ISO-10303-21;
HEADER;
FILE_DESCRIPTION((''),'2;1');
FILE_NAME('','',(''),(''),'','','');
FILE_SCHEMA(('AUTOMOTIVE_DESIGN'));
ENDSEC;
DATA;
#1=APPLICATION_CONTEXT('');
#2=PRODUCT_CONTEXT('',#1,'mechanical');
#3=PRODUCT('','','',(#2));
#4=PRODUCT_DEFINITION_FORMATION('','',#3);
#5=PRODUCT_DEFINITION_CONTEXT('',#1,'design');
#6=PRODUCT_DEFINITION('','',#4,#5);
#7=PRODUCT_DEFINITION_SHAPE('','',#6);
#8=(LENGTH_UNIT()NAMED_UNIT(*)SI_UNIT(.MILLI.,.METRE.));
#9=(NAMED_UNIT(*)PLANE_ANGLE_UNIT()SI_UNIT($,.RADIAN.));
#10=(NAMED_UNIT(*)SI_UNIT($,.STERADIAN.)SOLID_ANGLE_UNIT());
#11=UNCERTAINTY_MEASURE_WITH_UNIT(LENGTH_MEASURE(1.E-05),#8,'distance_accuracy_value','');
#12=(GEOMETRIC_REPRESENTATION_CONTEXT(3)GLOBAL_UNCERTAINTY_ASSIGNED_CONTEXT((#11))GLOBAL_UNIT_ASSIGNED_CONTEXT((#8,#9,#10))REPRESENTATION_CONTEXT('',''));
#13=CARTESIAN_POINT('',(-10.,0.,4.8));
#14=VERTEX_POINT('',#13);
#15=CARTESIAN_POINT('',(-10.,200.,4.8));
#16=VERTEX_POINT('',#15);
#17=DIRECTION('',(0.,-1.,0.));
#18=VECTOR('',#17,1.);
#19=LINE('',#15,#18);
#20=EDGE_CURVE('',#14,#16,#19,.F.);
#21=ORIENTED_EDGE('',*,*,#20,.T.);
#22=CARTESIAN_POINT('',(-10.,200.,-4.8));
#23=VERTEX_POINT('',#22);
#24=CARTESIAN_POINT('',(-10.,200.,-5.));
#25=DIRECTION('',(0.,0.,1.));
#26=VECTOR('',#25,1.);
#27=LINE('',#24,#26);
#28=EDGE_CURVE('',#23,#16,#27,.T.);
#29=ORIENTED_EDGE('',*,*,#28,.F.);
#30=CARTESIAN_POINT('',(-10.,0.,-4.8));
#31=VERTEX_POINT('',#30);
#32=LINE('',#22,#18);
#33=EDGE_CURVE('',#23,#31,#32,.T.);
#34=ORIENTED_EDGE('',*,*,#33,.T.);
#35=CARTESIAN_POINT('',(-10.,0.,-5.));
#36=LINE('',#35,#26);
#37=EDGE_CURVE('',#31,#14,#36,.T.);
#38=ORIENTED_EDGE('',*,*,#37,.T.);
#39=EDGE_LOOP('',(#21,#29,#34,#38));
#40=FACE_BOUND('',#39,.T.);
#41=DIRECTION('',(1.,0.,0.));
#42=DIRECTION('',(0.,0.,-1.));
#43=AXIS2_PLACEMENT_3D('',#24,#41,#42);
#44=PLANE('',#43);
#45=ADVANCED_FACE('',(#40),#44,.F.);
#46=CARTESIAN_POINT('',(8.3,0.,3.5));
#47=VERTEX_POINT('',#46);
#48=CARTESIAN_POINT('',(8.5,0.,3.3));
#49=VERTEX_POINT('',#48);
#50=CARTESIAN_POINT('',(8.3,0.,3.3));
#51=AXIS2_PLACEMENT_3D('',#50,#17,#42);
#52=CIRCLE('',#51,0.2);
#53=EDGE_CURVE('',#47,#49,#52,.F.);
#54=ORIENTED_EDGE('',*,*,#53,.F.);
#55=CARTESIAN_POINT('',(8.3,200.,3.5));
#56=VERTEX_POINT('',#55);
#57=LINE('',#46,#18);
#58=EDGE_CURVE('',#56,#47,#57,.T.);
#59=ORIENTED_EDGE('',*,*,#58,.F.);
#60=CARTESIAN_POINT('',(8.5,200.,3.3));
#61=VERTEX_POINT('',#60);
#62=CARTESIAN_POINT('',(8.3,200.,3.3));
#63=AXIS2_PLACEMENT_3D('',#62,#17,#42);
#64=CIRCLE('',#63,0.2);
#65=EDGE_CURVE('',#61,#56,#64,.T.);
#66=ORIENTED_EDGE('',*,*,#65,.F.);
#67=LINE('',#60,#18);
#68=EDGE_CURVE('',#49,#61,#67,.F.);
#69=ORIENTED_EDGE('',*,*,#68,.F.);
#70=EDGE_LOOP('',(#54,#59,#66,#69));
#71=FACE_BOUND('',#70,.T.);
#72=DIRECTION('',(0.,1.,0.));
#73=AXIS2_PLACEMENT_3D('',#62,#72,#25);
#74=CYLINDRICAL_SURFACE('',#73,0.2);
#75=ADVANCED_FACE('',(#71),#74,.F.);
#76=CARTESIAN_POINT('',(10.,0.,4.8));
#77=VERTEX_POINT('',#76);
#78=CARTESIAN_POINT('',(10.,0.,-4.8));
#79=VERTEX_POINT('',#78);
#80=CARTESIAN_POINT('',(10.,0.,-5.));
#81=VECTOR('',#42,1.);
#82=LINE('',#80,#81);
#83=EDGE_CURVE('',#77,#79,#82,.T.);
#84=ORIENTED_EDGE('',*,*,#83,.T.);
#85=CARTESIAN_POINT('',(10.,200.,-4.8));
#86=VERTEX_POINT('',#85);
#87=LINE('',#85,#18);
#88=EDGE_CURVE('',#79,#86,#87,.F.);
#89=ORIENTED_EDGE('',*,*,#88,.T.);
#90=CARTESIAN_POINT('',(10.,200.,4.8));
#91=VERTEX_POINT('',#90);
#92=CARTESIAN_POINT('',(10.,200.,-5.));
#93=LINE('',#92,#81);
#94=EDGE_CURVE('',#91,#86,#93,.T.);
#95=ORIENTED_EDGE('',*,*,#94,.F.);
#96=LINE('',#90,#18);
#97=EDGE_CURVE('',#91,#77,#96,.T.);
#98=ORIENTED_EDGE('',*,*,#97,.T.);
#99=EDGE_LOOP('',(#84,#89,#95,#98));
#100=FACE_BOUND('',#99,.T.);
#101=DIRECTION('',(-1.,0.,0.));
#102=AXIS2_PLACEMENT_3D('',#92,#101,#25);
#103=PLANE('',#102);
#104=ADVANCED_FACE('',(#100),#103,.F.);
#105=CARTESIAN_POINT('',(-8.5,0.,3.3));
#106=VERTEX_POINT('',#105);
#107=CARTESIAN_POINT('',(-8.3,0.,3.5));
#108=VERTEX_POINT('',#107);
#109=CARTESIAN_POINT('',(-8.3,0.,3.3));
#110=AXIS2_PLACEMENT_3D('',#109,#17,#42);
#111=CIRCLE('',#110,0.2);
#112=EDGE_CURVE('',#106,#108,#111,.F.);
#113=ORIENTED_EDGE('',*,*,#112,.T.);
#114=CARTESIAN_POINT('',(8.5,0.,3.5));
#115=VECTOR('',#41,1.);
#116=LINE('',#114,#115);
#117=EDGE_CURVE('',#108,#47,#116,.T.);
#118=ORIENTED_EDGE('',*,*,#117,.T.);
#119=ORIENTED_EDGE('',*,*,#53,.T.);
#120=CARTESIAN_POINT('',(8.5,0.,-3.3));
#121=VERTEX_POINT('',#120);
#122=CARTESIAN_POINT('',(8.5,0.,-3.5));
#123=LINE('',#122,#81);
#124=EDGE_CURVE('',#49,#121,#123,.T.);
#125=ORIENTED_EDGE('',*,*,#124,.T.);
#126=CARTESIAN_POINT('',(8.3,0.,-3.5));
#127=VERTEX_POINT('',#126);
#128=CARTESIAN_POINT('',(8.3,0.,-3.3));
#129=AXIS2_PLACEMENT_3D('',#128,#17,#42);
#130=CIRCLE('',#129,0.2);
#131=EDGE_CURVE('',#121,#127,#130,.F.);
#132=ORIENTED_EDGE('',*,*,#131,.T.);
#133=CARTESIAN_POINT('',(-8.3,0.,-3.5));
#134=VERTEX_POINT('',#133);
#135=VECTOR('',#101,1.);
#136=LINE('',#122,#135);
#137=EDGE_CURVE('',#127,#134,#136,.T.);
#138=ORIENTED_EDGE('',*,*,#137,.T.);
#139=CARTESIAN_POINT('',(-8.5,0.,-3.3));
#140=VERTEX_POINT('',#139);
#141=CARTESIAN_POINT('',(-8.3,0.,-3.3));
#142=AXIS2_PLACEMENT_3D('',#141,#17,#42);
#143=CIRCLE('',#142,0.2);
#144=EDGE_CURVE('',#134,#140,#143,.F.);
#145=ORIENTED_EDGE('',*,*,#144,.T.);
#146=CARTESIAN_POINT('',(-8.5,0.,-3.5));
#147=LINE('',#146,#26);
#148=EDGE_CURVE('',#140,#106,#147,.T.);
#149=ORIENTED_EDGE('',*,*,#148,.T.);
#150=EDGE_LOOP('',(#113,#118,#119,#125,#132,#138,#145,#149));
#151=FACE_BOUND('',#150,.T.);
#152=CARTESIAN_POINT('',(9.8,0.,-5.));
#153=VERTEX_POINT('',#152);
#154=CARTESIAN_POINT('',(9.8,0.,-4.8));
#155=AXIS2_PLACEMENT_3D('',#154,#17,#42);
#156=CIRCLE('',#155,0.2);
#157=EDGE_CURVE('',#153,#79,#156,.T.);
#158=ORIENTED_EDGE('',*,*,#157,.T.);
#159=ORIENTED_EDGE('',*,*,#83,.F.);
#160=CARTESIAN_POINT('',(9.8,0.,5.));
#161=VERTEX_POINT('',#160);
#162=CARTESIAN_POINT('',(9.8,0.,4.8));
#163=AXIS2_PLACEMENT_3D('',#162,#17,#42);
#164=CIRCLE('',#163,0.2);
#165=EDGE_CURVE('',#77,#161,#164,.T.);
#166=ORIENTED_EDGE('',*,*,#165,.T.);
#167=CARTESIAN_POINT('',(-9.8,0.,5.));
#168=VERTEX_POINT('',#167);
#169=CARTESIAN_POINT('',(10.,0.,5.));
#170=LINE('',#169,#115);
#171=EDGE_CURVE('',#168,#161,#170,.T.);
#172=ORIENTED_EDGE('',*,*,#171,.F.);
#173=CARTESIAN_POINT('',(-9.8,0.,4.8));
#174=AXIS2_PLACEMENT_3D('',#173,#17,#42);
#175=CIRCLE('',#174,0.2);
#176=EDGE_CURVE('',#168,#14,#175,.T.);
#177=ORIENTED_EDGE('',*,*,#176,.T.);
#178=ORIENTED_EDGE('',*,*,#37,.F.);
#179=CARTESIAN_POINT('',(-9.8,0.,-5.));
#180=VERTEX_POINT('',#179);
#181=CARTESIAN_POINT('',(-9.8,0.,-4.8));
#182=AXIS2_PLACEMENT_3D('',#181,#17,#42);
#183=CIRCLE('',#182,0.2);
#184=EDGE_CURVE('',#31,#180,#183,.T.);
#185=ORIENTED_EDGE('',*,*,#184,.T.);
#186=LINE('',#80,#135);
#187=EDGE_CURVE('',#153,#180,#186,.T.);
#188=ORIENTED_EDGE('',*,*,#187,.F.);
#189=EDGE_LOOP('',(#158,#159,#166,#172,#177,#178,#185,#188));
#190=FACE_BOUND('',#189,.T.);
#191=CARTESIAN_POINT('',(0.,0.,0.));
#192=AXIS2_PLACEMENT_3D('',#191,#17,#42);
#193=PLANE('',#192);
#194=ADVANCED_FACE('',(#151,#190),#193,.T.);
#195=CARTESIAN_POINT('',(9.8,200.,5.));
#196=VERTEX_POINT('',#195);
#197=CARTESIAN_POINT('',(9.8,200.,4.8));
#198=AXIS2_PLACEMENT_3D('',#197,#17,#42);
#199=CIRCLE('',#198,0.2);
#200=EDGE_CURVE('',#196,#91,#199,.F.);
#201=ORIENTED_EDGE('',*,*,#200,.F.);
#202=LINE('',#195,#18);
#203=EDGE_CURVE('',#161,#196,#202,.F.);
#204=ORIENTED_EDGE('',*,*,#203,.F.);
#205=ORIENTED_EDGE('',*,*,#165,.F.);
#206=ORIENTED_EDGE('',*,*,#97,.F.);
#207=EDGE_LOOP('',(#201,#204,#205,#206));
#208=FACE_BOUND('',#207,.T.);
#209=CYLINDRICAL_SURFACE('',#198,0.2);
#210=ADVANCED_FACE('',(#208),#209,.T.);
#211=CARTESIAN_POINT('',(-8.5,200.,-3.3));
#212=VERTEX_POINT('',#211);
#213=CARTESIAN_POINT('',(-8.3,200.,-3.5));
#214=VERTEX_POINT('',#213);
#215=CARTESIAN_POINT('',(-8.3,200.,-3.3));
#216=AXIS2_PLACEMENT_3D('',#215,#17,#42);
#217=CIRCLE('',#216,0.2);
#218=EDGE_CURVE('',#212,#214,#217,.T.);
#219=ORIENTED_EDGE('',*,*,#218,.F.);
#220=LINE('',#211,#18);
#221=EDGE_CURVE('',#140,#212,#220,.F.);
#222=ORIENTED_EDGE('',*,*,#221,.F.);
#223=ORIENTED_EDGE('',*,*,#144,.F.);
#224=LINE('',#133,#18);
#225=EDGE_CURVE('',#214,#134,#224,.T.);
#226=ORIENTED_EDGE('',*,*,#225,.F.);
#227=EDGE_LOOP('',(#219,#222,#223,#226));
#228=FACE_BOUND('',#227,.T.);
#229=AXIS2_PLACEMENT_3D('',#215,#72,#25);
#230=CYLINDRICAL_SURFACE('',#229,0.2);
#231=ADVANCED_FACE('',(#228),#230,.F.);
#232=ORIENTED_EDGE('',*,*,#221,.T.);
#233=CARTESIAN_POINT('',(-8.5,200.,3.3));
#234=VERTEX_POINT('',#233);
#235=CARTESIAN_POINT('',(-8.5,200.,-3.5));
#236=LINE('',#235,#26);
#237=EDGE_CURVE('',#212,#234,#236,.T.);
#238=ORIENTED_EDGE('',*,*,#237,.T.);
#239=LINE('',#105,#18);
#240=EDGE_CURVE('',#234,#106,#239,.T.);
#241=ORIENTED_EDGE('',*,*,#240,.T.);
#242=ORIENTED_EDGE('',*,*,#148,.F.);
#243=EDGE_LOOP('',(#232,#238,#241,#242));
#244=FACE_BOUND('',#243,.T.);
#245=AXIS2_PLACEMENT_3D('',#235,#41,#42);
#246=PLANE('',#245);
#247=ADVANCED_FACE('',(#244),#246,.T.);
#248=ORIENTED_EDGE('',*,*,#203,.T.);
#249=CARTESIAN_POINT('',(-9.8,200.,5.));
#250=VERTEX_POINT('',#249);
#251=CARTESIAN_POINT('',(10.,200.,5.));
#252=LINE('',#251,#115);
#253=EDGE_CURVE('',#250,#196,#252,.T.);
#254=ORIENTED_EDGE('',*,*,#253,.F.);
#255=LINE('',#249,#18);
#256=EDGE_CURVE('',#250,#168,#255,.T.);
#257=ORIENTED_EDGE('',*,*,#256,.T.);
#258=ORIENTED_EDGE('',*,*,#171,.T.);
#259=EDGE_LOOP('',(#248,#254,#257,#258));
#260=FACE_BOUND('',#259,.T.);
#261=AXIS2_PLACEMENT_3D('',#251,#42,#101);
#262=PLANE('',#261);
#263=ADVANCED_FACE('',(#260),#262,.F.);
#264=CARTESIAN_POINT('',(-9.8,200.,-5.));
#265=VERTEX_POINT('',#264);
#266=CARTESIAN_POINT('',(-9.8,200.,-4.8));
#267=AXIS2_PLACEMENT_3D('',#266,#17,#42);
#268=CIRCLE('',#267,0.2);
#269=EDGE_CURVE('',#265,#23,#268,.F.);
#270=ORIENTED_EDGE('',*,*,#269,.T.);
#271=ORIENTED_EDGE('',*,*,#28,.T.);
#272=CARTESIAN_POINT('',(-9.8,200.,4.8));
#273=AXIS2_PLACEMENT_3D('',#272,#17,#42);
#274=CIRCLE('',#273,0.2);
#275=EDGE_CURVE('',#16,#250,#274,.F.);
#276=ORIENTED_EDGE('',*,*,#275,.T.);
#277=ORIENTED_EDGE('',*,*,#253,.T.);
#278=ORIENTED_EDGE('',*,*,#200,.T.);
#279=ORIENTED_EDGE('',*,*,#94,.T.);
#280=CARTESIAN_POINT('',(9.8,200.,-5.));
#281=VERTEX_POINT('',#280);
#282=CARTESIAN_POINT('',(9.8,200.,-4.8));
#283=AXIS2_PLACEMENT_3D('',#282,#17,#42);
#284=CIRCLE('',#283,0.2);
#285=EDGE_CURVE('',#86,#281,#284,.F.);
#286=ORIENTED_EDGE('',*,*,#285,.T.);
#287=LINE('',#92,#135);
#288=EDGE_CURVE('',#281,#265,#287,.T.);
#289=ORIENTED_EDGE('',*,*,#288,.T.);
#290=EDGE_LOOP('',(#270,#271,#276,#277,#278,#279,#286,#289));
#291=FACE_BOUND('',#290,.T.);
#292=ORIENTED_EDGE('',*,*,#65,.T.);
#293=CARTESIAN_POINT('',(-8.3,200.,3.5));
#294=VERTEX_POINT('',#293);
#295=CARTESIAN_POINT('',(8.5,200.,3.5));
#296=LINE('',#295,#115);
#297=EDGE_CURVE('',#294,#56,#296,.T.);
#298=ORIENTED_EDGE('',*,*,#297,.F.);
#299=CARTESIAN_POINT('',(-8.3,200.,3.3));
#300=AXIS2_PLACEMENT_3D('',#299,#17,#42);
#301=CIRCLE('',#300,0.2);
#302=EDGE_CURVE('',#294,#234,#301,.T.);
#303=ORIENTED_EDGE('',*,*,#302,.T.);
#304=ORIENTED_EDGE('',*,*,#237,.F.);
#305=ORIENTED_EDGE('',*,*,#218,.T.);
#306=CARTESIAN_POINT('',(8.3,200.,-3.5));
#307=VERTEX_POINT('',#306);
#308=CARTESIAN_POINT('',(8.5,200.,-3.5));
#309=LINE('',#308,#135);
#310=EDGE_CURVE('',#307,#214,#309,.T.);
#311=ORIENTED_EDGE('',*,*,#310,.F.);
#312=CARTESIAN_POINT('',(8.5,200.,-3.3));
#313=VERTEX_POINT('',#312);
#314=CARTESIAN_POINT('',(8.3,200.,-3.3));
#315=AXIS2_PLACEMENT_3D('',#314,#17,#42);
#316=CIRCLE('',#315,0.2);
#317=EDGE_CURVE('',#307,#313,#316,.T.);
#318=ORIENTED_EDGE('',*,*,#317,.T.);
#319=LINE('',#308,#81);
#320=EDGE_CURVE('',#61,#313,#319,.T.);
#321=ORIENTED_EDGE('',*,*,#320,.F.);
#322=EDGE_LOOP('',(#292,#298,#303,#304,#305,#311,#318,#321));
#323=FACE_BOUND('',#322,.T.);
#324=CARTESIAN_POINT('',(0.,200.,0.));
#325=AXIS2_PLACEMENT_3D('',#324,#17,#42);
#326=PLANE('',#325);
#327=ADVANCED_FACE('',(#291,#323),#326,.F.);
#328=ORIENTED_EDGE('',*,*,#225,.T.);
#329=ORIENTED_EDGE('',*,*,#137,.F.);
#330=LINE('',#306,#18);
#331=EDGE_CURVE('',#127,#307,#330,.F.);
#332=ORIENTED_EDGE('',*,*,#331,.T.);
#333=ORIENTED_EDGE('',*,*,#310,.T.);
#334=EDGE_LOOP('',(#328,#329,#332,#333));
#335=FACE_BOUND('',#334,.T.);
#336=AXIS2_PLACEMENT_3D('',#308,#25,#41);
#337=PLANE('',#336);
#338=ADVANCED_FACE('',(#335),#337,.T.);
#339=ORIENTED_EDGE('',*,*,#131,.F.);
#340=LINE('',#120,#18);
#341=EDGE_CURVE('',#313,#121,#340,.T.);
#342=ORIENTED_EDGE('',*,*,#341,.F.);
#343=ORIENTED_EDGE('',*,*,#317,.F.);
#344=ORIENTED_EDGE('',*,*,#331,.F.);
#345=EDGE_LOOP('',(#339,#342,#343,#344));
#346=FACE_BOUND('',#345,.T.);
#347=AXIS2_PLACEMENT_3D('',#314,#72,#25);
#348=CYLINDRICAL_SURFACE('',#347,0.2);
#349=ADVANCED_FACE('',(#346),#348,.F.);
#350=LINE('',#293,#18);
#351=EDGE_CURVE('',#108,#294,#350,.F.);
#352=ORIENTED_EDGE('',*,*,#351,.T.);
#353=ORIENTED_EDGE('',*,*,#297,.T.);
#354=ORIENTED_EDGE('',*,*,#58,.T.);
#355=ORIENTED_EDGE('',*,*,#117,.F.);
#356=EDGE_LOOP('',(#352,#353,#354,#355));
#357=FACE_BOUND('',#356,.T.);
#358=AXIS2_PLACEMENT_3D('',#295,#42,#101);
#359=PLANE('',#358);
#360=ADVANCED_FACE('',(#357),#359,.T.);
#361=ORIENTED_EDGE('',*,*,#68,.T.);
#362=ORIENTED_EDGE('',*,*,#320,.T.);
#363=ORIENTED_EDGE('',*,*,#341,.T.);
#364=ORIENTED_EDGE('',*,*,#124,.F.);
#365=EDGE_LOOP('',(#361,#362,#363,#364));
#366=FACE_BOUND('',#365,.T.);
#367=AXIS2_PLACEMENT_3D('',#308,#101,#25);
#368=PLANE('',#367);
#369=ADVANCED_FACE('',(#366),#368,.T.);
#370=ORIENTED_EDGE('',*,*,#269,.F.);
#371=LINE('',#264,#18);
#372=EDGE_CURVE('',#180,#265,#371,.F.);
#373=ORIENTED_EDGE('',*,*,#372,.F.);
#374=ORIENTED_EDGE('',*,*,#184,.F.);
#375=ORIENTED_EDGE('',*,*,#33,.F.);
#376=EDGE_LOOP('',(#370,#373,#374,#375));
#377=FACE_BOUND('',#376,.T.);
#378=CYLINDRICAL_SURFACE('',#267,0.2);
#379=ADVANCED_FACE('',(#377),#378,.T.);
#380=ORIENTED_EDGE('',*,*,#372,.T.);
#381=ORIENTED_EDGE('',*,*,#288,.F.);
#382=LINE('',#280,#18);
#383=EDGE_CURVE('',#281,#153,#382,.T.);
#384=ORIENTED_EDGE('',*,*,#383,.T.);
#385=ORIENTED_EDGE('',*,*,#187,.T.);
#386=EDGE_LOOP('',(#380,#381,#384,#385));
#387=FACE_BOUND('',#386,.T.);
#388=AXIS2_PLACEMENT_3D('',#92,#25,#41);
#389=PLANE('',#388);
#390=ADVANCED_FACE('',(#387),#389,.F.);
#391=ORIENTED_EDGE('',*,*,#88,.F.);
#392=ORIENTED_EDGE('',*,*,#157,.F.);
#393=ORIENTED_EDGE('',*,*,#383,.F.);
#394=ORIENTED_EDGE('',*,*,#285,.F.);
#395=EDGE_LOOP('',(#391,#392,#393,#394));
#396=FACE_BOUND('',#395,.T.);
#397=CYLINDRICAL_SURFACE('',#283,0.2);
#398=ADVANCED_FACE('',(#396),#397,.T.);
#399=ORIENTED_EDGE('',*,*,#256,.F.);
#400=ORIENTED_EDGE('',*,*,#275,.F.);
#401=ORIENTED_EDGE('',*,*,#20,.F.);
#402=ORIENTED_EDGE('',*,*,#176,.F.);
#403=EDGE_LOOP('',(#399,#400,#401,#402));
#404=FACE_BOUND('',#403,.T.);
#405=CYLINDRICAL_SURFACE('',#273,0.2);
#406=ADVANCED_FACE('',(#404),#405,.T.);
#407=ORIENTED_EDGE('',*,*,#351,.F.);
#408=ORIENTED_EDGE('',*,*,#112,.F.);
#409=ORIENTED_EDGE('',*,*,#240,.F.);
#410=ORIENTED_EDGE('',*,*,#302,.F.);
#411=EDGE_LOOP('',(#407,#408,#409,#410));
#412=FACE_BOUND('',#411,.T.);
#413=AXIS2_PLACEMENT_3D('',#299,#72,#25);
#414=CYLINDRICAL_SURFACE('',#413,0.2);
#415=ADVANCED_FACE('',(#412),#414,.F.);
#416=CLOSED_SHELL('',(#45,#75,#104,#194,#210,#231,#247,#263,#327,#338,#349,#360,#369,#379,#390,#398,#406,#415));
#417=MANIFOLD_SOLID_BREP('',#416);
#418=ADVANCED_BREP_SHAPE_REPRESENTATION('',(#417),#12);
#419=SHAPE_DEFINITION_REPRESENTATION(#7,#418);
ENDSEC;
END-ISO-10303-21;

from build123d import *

# Parameters (mm, degrees)
SKETCH_1_W      = 20
SKETCH_1_H      = 10
SKETCH_1_W_2    = 17
SKETCH_1_H_2    = 7
EXTRUDE_1_DEPTH = 200
FILLET_1_R      = 0.2


with BuildPart() as part:
    # Эскиз1 → Бобышка-Вытянуть1 (new body)
    with BuildSketch(Plane(origin=(0, 0, 0), x_dir=(1, 0, 0), z_dir=(0, 1, 0))):
        Rectangle(SKETCH_1_W, SKETCH_1_H)
        Rectangle(SKETCH_1_W_2, SKETCH_1_H_2, mode=Mode.SUBTRACT)
    extrude(amount=EXTRUDE_1_DEPTH)

    # Скругление1
    fillet_1_edges = [part.edges().sort_by_distance(p)[0] for p in [
        (8.5, 100, 3.5),
        (8.5, 100, -3.5),
        (-8.5, 100, -3.5),
        (-8.5, 100, 3.5),
        (-10, 100, -5),
        (10, 100, -5),
        (10, 100, 5),
        (-10, 100, 5),
    ]]
    fillet(fillet_1_edges, radius=FILLET_1_R)


solid = part.part
